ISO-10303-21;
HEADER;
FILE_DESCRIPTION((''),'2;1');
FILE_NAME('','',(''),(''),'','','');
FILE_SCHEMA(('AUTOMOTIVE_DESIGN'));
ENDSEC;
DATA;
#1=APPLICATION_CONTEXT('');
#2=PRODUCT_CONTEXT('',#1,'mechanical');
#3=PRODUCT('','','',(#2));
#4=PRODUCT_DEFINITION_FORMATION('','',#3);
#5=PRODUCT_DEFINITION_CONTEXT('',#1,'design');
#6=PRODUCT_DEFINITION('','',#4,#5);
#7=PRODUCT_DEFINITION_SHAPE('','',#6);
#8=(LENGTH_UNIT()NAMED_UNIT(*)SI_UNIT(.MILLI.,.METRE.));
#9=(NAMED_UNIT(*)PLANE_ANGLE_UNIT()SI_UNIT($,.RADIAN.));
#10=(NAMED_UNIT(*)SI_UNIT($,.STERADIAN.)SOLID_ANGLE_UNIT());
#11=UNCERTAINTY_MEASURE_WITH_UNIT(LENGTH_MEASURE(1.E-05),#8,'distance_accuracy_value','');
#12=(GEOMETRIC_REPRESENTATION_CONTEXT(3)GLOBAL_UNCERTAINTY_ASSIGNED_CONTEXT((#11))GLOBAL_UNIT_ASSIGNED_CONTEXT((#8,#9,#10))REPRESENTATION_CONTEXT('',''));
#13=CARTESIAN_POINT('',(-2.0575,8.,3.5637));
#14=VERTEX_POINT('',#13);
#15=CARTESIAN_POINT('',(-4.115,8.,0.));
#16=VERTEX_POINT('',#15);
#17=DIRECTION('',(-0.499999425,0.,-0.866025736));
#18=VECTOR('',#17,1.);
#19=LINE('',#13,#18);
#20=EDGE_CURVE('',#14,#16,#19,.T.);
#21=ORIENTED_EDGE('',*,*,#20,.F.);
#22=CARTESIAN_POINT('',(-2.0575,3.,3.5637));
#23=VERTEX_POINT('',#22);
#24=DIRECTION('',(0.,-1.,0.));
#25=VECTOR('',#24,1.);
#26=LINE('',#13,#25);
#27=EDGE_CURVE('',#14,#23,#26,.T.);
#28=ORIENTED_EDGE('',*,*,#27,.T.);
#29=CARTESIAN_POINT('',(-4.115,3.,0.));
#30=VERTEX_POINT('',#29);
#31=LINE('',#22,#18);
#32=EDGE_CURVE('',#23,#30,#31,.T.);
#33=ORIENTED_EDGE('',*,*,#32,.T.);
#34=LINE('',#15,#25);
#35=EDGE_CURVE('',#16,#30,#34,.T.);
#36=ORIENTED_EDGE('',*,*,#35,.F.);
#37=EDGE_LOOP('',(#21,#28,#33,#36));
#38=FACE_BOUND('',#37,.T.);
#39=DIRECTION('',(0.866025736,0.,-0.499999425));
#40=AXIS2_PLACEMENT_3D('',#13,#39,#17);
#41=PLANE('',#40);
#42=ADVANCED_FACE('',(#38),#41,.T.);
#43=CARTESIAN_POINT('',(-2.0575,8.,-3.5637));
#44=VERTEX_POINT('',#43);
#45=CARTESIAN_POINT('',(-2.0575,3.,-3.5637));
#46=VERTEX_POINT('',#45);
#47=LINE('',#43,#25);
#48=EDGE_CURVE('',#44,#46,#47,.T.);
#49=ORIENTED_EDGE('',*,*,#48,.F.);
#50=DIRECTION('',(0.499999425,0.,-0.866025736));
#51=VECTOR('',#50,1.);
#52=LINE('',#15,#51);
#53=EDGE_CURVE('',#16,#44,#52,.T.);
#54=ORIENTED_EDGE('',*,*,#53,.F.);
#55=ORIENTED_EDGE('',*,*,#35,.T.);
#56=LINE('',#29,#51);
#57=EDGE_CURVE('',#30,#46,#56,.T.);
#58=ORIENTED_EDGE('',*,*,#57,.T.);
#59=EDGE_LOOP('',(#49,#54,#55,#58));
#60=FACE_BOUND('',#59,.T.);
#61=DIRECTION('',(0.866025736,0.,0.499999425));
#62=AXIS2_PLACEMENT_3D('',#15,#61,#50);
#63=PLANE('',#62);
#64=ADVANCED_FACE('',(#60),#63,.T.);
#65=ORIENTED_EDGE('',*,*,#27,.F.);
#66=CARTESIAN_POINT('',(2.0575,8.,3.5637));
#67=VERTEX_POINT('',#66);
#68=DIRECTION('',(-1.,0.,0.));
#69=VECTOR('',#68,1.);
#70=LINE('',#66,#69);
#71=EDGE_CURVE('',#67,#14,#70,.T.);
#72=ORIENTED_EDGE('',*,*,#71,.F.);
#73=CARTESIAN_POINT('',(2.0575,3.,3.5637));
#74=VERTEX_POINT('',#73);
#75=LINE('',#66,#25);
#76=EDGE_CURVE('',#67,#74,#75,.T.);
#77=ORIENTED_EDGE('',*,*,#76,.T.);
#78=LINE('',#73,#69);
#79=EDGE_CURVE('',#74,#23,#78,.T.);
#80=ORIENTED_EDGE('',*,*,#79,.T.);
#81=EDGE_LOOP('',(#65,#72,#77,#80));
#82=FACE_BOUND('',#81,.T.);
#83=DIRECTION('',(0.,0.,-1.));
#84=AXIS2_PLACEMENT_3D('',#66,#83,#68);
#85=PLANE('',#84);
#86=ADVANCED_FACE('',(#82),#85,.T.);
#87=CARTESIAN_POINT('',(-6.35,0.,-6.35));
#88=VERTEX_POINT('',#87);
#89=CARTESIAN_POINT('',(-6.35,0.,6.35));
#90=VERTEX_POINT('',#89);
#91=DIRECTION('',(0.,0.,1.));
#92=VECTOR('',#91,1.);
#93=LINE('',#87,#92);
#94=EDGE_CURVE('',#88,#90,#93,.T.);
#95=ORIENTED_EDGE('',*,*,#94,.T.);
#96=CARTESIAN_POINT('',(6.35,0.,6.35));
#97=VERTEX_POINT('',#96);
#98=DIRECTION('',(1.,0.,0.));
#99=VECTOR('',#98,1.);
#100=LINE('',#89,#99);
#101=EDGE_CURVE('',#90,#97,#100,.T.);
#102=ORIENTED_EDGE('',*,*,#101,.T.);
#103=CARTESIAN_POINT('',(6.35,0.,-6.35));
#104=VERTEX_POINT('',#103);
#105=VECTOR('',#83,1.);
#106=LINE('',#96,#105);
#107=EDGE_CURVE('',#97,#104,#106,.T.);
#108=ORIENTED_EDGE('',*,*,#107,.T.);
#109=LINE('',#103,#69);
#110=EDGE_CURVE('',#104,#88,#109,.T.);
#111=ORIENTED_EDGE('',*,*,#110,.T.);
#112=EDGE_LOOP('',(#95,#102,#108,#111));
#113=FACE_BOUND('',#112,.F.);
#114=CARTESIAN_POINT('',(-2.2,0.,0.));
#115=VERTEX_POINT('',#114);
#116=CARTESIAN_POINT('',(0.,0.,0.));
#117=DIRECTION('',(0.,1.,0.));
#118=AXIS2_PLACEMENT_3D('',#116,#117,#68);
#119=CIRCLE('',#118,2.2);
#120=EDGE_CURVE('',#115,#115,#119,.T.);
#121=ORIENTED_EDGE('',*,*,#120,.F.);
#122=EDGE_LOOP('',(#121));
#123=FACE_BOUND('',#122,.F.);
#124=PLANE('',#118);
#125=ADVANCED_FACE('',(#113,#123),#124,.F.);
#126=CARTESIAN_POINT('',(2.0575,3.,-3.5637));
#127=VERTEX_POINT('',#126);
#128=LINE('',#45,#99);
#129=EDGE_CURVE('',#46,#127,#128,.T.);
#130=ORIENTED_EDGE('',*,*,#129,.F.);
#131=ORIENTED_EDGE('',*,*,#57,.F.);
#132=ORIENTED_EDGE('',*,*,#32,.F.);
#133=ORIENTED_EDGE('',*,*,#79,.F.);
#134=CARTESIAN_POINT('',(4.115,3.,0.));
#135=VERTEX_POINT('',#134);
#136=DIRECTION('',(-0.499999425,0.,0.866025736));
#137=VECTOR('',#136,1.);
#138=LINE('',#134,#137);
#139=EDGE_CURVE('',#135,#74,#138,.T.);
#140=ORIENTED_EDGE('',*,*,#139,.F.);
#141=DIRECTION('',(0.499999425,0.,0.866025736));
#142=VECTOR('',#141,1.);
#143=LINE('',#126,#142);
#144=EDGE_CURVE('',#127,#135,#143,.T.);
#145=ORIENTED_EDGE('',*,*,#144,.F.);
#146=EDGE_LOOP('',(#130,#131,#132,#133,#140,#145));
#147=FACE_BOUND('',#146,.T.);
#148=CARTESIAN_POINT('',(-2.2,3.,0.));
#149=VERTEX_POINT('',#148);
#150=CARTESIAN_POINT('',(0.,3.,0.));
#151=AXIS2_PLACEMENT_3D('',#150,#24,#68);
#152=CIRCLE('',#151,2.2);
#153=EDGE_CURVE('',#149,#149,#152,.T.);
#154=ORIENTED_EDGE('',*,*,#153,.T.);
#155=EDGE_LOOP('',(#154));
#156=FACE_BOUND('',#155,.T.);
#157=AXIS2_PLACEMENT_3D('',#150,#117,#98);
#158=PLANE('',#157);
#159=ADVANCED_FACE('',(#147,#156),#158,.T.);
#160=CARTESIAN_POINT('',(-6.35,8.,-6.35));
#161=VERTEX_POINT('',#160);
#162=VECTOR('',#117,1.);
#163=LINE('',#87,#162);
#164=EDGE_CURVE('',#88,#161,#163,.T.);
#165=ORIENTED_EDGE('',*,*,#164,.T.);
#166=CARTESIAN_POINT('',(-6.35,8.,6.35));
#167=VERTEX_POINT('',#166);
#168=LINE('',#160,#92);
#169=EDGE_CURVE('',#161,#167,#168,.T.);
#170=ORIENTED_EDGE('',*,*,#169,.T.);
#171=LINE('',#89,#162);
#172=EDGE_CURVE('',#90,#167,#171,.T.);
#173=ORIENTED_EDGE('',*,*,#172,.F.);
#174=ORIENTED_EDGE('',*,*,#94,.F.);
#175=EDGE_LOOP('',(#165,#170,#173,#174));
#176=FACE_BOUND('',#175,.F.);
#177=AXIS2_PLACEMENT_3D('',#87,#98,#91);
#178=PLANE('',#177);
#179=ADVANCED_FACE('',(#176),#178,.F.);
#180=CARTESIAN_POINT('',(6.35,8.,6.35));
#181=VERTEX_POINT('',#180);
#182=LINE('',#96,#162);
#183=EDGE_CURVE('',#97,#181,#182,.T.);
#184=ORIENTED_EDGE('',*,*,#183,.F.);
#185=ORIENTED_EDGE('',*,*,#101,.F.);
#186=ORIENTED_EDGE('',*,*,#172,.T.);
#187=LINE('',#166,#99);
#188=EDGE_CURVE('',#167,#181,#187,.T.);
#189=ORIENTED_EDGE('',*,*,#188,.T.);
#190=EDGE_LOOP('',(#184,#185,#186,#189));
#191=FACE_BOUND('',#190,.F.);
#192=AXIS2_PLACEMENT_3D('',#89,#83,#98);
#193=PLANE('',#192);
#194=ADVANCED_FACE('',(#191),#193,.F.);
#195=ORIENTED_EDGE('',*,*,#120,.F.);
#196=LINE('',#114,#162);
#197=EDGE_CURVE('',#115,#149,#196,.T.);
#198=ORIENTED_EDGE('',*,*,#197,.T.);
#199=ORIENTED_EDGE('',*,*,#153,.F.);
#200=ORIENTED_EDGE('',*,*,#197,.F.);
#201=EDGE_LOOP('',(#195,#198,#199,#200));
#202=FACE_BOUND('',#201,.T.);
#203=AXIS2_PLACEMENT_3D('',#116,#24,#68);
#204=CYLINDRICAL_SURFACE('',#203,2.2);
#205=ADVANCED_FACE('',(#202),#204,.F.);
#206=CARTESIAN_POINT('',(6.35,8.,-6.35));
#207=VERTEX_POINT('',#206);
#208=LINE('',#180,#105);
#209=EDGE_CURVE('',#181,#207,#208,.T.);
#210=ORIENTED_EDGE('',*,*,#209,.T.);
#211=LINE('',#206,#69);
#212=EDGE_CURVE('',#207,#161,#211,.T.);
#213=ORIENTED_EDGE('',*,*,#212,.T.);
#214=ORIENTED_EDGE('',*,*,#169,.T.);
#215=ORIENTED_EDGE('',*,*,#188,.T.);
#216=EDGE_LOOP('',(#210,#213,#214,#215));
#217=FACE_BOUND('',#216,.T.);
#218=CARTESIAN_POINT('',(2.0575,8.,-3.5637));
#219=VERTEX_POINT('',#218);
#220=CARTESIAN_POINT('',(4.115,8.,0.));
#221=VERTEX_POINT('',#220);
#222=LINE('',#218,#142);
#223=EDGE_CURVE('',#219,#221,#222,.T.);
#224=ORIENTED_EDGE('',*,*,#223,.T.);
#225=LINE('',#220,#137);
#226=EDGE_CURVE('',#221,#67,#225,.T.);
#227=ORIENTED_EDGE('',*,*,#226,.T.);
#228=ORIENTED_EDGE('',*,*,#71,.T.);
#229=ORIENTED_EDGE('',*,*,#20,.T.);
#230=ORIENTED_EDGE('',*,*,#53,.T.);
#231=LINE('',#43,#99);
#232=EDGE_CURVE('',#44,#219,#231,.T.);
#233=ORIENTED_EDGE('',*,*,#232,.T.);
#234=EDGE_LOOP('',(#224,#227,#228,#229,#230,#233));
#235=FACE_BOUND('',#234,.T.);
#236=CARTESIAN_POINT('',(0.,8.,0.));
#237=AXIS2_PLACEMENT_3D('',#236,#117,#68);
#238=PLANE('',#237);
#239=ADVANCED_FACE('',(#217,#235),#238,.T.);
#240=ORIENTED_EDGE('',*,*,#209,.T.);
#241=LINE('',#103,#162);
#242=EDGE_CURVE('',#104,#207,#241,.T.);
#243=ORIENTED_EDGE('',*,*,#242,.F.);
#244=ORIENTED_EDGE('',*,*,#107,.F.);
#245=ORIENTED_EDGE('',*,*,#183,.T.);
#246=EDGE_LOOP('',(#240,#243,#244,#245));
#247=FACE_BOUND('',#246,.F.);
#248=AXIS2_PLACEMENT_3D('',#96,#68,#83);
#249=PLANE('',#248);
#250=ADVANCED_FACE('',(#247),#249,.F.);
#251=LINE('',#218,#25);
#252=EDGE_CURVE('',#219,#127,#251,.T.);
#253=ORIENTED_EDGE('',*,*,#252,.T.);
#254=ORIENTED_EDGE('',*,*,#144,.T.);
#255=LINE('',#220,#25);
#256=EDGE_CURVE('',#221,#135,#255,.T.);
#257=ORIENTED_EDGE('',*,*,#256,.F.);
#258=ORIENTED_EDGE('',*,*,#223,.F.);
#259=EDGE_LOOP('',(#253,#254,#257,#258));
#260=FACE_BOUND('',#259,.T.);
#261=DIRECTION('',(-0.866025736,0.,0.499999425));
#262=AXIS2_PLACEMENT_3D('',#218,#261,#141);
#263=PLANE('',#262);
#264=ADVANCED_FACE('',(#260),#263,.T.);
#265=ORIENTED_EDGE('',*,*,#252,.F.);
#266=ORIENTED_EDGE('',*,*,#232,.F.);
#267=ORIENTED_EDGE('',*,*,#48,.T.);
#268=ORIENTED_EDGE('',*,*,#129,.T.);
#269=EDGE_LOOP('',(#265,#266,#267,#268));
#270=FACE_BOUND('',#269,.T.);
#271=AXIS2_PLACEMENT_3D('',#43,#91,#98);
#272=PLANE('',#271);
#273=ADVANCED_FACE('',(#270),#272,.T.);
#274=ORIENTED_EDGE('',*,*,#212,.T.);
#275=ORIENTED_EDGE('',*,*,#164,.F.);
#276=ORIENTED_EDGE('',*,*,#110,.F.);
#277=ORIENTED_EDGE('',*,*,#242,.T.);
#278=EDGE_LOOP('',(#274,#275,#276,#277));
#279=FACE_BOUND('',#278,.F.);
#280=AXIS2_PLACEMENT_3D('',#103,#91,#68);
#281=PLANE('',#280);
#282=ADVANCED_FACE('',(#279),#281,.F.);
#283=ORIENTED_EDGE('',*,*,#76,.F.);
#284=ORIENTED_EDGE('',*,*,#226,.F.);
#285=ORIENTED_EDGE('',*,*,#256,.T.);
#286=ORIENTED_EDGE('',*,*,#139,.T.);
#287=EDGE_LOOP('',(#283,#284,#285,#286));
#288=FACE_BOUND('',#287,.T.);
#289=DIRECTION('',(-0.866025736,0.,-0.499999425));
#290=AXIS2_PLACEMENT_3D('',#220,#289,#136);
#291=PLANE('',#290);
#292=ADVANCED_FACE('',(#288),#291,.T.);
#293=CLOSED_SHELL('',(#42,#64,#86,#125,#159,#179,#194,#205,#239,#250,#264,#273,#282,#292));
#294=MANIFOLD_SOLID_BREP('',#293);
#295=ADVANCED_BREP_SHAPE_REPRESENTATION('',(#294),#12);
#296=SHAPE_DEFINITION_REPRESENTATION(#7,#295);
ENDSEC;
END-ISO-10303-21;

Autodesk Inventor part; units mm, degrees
ref_plane "YZ Plane" through (0, 0, 0) normal (1, 0, 0) x (0, 1, 0)
ref_plane "XZ Plane" through (0, 0, 0) normal (0, 1, 0) x (-1, 0, 0)
ref_plane "XY Plane" through (0, 0, 0) normal (0, 0, 1) x (1, 0, 0)
sketch "Sketch1" plane through (0, 0, 0) normal (0, 1, 0) x (-1, 0, 0)
  line L0 (6.35, 6.35) -> (-6.35, 6.35)
  line L1 (-6.35, 6.35) -> (-6.35, -6.35)
  line L2 (-6.35, -6.35) -> (6.35, -6.35)
  line L3 (6.35, -6.35) -> (6.35, 6.35)
  line L4 (6.35, 6.35) -> (-6.35, -6.35) construction
  line L5 (-6.35, 6.35) -> (6.35, -6.35) construction
  circle A0 centre (0, 0) radius 2.2
  dimension "d0" = 12.7
  dimension "d1" = 12.7
  dimension "d2" = 4.4
extrude "Extrusion1" add sketch "Sketch1" along normal blind 8
sketch "Sketch2" plane through (0, 8, 0) normal (0, 1, 0) x (1, 0, 0)
  circle A0 centre (0, 0) radius 4.115 construction
  line L0 (4.115, 0) -> (2.0575, -3.5637)
  line L1 (2.0575, -3.5637) -> (-2.0575, -3.5637)
  line L2 (-2.0575, -3.5637) -> (-4.115, 0)
  line L3 (-4.115, 0) -> (-2.0575, 3.5637)
  line L4 (-2.0575, 3.5637) -> (2.0575, 3.5637)
  line L5 (2.0575, 3.5637) -> (4.115, 0)
  dimension "d5" = 8.23
extrude "Extrusion2" cut sketch "Sketch2" against normal blind 5
properties part number "M4 net well test"
